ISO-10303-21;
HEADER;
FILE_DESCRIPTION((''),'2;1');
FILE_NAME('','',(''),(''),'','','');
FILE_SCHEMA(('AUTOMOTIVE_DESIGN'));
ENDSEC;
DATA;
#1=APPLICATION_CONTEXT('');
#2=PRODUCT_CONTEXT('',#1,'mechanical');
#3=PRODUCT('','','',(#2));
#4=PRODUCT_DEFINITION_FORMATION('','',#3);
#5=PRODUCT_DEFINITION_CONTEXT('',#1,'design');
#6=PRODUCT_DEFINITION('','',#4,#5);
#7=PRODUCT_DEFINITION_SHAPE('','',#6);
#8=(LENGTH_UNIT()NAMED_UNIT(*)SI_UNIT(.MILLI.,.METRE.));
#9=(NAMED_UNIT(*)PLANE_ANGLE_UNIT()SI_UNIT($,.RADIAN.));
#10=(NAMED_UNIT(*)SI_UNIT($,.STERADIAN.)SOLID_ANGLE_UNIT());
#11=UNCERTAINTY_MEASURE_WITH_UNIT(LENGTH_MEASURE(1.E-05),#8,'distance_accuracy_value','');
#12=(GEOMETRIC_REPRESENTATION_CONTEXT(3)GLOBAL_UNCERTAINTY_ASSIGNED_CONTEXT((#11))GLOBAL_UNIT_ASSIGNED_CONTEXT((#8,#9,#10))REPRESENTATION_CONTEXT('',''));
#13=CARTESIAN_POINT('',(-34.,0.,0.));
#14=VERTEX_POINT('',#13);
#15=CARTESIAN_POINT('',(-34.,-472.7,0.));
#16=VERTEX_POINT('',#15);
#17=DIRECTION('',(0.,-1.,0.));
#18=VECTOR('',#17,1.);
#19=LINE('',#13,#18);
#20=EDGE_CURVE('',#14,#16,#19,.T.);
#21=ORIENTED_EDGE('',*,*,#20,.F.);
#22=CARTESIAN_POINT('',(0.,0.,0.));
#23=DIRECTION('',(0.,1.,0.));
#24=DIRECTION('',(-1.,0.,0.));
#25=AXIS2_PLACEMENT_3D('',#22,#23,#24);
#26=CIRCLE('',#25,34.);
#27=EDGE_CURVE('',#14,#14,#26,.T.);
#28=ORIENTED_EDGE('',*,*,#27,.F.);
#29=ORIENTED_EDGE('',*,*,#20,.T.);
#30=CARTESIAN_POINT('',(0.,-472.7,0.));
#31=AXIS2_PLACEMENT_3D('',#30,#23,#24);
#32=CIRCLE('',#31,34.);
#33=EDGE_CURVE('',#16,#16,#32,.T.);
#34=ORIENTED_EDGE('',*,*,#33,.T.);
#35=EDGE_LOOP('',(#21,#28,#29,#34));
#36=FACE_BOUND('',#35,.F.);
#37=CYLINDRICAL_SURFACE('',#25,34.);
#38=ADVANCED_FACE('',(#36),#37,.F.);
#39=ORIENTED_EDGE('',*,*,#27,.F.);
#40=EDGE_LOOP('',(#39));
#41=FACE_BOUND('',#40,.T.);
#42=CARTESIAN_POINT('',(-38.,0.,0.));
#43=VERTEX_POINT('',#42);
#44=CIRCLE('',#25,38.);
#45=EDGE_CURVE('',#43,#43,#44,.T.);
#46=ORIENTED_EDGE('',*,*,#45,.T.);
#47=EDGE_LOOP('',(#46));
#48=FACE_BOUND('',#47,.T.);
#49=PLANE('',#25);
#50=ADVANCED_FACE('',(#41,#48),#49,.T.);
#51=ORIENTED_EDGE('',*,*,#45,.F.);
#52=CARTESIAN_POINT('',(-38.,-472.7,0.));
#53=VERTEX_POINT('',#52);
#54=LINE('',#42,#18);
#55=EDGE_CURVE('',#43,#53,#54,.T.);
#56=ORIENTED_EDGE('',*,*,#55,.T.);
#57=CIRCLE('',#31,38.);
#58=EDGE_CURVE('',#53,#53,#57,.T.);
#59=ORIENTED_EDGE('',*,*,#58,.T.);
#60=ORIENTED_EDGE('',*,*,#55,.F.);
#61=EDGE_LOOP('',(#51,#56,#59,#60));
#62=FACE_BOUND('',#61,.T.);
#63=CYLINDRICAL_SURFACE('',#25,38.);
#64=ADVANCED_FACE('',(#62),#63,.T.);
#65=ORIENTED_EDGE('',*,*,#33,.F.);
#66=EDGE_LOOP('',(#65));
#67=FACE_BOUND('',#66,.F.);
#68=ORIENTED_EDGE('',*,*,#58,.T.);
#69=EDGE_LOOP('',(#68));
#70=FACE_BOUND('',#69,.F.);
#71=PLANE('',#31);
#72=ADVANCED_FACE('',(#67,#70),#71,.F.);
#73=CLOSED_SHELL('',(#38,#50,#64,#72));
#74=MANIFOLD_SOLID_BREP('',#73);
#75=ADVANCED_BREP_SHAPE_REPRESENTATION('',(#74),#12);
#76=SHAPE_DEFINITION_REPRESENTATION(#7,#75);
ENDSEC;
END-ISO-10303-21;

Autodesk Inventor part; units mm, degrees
ref_plane "YZ Plane" through (0, 0, 0) normal (1, 0, 0) x (0, 1, 0)
ref_plane "XZ Plane" through (0, 0, 0) normal (0, 1, 0) x (-1, 0, 0)
ref_plane "XY Plane" through (0, 0, 0) normal (0, 0, 1) x (1, 0, 0)
sketch "Sketch1" plane through (0, 0, 0) normal (0, 1, 0) x (-1, 0, 0)
  circle A0 centre (0, 0) radius 38
  circle A1 centre (0, 0) radius 34
  dimension "d0" = 76
  dimension "d1" = 4
extrude "Extrusion1" add sketch "Sketch1" against normal blind 472.7
properties part number "TZS 0941 FDS tube 1" material "Steel"
